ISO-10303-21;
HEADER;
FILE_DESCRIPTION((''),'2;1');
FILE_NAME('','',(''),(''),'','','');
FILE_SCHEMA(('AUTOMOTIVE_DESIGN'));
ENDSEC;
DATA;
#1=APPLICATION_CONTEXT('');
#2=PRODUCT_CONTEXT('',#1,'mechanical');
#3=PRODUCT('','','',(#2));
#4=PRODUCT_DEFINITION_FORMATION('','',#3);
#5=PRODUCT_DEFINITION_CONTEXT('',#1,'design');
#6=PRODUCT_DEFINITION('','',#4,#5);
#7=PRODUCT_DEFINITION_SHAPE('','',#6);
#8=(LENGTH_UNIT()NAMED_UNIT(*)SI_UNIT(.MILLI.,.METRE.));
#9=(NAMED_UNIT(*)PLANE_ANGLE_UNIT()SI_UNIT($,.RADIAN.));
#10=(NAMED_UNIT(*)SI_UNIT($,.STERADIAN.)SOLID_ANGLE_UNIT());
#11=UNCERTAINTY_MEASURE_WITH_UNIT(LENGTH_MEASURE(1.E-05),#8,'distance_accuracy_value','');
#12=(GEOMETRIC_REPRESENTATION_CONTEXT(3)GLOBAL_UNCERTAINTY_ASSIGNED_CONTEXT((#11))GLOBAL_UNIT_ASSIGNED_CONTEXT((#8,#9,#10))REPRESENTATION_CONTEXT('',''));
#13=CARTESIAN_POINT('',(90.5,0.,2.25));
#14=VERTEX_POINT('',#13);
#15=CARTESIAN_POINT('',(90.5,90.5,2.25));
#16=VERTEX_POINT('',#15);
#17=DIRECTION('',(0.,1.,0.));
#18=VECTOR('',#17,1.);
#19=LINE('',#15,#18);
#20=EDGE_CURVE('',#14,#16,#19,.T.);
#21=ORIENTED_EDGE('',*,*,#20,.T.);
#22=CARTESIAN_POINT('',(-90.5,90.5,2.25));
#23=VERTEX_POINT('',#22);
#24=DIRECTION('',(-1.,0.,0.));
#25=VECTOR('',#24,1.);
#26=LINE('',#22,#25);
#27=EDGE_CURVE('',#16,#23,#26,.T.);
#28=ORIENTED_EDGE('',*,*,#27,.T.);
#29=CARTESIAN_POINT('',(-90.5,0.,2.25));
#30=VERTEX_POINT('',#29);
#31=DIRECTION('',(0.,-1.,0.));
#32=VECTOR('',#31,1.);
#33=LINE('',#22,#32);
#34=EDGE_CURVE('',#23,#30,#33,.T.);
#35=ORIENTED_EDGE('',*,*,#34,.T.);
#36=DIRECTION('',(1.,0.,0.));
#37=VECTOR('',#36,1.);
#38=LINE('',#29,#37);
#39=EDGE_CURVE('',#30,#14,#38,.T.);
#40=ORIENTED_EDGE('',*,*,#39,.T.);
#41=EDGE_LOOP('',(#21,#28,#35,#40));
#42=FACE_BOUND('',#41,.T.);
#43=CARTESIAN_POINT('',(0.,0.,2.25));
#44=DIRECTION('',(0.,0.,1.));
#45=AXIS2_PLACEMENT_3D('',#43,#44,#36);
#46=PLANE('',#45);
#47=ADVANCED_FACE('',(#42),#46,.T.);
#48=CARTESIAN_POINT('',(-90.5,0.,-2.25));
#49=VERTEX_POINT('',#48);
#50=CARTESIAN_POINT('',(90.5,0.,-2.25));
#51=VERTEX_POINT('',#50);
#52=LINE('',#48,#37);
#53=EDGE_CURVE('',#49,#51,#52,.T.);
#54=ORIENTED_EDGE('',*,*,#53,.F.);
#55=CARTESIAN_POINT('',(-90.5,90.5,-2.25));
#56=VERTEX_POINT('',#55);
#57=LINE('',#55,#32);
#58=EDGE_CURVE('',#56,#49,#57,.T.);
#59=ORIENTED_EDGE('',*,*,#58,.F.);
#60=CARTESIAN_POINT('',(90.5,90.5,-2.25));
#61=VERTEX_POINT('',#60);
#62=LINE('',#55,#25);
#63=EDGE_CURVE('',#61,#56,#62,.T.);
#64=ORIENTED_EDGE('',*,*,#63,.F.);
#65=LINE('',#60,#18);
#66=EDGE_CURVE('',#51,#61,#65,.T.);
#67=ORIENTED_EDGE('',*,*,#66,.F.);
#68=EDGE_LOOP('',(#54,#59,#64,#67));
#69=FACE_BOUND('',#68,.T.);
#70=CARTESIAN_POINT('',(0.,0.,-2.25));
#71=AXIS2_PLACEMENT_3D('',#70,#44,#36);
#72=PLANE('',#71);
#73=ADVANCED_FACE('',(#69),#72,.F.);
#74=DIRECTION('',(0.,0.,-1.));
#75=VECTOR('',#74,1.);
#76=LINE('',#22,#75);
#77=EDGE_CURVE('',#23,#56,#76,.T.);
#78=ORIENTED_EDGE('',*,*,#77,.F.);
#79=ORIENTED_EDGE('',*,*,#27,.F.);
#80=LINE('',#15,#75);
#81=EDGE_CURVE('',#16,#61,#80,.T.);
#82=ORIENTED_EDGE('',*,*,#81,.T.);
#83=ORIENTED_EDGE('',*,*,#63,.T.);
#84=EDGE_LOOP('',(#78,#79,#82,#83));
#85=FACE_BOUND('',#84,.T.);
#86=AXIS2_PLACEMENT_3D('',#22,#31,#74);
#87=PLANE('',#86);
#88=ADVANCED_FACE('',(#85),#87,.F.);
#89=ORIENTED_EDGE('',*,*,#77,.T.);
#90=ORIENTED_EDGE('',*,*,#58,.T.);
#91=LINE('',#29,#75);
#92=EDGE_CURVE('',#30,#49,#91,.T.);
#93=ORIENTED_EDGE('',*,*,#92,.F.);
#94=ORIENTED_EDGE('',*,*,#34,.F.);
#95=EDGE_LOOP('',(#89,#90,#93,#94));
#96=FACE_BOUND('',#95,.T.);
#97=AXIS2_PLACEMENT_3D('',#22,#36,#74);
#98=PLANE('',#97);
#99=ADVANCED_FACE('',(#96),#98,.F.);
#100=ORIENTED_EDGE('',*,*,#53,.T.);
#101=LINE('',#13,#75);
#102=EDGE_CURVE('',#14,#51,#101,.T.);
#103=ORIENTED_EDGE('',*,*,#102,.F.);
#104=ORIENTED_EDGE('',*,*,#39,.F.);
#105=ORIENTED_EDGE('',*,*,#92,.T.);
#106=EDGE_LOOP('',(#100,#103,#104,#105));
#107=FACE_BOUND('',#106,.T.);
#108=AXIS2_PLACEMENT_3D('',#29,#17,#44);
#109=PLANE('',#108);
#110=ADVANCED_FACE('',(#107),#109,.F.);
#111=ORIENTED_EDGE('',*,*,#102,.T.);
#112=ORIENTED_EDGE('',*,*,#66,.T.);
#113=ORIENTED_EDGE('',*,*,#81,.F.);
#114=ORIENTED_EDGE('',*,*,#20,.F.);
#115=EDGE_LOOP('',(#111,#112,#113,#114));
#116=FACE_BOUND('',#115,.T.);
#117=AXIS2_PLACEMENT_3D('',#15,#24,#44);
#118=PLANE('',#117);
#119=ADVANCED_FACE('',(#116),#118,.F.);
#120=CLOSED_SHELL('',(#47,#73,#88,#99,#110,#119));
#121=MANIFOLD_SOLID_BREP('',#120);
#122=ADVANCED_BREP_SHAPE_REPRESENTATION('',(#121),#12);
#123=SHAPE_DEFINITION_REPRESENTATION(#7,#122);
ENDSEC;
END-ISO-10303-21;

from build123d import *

# Parameters (mm, degrees)
SKETCH1_W           = 181
SKETCH1_H           = 90.5
BOSS_EXTRUDE1_DEPTH = 2.25


with BuildPart() as part:
    # Sketch1 → Boss-Extrude1 (new body, symmetric)
    with BuildSketch(Plane.XY):
        with Locations((0, 45.25)):
            Rectangle(SKETCH1_W, SKETCH1_H)
    extrude(amount=BOSS_EXTRUDE1_DEPTH, both=True)


solid = part.part
